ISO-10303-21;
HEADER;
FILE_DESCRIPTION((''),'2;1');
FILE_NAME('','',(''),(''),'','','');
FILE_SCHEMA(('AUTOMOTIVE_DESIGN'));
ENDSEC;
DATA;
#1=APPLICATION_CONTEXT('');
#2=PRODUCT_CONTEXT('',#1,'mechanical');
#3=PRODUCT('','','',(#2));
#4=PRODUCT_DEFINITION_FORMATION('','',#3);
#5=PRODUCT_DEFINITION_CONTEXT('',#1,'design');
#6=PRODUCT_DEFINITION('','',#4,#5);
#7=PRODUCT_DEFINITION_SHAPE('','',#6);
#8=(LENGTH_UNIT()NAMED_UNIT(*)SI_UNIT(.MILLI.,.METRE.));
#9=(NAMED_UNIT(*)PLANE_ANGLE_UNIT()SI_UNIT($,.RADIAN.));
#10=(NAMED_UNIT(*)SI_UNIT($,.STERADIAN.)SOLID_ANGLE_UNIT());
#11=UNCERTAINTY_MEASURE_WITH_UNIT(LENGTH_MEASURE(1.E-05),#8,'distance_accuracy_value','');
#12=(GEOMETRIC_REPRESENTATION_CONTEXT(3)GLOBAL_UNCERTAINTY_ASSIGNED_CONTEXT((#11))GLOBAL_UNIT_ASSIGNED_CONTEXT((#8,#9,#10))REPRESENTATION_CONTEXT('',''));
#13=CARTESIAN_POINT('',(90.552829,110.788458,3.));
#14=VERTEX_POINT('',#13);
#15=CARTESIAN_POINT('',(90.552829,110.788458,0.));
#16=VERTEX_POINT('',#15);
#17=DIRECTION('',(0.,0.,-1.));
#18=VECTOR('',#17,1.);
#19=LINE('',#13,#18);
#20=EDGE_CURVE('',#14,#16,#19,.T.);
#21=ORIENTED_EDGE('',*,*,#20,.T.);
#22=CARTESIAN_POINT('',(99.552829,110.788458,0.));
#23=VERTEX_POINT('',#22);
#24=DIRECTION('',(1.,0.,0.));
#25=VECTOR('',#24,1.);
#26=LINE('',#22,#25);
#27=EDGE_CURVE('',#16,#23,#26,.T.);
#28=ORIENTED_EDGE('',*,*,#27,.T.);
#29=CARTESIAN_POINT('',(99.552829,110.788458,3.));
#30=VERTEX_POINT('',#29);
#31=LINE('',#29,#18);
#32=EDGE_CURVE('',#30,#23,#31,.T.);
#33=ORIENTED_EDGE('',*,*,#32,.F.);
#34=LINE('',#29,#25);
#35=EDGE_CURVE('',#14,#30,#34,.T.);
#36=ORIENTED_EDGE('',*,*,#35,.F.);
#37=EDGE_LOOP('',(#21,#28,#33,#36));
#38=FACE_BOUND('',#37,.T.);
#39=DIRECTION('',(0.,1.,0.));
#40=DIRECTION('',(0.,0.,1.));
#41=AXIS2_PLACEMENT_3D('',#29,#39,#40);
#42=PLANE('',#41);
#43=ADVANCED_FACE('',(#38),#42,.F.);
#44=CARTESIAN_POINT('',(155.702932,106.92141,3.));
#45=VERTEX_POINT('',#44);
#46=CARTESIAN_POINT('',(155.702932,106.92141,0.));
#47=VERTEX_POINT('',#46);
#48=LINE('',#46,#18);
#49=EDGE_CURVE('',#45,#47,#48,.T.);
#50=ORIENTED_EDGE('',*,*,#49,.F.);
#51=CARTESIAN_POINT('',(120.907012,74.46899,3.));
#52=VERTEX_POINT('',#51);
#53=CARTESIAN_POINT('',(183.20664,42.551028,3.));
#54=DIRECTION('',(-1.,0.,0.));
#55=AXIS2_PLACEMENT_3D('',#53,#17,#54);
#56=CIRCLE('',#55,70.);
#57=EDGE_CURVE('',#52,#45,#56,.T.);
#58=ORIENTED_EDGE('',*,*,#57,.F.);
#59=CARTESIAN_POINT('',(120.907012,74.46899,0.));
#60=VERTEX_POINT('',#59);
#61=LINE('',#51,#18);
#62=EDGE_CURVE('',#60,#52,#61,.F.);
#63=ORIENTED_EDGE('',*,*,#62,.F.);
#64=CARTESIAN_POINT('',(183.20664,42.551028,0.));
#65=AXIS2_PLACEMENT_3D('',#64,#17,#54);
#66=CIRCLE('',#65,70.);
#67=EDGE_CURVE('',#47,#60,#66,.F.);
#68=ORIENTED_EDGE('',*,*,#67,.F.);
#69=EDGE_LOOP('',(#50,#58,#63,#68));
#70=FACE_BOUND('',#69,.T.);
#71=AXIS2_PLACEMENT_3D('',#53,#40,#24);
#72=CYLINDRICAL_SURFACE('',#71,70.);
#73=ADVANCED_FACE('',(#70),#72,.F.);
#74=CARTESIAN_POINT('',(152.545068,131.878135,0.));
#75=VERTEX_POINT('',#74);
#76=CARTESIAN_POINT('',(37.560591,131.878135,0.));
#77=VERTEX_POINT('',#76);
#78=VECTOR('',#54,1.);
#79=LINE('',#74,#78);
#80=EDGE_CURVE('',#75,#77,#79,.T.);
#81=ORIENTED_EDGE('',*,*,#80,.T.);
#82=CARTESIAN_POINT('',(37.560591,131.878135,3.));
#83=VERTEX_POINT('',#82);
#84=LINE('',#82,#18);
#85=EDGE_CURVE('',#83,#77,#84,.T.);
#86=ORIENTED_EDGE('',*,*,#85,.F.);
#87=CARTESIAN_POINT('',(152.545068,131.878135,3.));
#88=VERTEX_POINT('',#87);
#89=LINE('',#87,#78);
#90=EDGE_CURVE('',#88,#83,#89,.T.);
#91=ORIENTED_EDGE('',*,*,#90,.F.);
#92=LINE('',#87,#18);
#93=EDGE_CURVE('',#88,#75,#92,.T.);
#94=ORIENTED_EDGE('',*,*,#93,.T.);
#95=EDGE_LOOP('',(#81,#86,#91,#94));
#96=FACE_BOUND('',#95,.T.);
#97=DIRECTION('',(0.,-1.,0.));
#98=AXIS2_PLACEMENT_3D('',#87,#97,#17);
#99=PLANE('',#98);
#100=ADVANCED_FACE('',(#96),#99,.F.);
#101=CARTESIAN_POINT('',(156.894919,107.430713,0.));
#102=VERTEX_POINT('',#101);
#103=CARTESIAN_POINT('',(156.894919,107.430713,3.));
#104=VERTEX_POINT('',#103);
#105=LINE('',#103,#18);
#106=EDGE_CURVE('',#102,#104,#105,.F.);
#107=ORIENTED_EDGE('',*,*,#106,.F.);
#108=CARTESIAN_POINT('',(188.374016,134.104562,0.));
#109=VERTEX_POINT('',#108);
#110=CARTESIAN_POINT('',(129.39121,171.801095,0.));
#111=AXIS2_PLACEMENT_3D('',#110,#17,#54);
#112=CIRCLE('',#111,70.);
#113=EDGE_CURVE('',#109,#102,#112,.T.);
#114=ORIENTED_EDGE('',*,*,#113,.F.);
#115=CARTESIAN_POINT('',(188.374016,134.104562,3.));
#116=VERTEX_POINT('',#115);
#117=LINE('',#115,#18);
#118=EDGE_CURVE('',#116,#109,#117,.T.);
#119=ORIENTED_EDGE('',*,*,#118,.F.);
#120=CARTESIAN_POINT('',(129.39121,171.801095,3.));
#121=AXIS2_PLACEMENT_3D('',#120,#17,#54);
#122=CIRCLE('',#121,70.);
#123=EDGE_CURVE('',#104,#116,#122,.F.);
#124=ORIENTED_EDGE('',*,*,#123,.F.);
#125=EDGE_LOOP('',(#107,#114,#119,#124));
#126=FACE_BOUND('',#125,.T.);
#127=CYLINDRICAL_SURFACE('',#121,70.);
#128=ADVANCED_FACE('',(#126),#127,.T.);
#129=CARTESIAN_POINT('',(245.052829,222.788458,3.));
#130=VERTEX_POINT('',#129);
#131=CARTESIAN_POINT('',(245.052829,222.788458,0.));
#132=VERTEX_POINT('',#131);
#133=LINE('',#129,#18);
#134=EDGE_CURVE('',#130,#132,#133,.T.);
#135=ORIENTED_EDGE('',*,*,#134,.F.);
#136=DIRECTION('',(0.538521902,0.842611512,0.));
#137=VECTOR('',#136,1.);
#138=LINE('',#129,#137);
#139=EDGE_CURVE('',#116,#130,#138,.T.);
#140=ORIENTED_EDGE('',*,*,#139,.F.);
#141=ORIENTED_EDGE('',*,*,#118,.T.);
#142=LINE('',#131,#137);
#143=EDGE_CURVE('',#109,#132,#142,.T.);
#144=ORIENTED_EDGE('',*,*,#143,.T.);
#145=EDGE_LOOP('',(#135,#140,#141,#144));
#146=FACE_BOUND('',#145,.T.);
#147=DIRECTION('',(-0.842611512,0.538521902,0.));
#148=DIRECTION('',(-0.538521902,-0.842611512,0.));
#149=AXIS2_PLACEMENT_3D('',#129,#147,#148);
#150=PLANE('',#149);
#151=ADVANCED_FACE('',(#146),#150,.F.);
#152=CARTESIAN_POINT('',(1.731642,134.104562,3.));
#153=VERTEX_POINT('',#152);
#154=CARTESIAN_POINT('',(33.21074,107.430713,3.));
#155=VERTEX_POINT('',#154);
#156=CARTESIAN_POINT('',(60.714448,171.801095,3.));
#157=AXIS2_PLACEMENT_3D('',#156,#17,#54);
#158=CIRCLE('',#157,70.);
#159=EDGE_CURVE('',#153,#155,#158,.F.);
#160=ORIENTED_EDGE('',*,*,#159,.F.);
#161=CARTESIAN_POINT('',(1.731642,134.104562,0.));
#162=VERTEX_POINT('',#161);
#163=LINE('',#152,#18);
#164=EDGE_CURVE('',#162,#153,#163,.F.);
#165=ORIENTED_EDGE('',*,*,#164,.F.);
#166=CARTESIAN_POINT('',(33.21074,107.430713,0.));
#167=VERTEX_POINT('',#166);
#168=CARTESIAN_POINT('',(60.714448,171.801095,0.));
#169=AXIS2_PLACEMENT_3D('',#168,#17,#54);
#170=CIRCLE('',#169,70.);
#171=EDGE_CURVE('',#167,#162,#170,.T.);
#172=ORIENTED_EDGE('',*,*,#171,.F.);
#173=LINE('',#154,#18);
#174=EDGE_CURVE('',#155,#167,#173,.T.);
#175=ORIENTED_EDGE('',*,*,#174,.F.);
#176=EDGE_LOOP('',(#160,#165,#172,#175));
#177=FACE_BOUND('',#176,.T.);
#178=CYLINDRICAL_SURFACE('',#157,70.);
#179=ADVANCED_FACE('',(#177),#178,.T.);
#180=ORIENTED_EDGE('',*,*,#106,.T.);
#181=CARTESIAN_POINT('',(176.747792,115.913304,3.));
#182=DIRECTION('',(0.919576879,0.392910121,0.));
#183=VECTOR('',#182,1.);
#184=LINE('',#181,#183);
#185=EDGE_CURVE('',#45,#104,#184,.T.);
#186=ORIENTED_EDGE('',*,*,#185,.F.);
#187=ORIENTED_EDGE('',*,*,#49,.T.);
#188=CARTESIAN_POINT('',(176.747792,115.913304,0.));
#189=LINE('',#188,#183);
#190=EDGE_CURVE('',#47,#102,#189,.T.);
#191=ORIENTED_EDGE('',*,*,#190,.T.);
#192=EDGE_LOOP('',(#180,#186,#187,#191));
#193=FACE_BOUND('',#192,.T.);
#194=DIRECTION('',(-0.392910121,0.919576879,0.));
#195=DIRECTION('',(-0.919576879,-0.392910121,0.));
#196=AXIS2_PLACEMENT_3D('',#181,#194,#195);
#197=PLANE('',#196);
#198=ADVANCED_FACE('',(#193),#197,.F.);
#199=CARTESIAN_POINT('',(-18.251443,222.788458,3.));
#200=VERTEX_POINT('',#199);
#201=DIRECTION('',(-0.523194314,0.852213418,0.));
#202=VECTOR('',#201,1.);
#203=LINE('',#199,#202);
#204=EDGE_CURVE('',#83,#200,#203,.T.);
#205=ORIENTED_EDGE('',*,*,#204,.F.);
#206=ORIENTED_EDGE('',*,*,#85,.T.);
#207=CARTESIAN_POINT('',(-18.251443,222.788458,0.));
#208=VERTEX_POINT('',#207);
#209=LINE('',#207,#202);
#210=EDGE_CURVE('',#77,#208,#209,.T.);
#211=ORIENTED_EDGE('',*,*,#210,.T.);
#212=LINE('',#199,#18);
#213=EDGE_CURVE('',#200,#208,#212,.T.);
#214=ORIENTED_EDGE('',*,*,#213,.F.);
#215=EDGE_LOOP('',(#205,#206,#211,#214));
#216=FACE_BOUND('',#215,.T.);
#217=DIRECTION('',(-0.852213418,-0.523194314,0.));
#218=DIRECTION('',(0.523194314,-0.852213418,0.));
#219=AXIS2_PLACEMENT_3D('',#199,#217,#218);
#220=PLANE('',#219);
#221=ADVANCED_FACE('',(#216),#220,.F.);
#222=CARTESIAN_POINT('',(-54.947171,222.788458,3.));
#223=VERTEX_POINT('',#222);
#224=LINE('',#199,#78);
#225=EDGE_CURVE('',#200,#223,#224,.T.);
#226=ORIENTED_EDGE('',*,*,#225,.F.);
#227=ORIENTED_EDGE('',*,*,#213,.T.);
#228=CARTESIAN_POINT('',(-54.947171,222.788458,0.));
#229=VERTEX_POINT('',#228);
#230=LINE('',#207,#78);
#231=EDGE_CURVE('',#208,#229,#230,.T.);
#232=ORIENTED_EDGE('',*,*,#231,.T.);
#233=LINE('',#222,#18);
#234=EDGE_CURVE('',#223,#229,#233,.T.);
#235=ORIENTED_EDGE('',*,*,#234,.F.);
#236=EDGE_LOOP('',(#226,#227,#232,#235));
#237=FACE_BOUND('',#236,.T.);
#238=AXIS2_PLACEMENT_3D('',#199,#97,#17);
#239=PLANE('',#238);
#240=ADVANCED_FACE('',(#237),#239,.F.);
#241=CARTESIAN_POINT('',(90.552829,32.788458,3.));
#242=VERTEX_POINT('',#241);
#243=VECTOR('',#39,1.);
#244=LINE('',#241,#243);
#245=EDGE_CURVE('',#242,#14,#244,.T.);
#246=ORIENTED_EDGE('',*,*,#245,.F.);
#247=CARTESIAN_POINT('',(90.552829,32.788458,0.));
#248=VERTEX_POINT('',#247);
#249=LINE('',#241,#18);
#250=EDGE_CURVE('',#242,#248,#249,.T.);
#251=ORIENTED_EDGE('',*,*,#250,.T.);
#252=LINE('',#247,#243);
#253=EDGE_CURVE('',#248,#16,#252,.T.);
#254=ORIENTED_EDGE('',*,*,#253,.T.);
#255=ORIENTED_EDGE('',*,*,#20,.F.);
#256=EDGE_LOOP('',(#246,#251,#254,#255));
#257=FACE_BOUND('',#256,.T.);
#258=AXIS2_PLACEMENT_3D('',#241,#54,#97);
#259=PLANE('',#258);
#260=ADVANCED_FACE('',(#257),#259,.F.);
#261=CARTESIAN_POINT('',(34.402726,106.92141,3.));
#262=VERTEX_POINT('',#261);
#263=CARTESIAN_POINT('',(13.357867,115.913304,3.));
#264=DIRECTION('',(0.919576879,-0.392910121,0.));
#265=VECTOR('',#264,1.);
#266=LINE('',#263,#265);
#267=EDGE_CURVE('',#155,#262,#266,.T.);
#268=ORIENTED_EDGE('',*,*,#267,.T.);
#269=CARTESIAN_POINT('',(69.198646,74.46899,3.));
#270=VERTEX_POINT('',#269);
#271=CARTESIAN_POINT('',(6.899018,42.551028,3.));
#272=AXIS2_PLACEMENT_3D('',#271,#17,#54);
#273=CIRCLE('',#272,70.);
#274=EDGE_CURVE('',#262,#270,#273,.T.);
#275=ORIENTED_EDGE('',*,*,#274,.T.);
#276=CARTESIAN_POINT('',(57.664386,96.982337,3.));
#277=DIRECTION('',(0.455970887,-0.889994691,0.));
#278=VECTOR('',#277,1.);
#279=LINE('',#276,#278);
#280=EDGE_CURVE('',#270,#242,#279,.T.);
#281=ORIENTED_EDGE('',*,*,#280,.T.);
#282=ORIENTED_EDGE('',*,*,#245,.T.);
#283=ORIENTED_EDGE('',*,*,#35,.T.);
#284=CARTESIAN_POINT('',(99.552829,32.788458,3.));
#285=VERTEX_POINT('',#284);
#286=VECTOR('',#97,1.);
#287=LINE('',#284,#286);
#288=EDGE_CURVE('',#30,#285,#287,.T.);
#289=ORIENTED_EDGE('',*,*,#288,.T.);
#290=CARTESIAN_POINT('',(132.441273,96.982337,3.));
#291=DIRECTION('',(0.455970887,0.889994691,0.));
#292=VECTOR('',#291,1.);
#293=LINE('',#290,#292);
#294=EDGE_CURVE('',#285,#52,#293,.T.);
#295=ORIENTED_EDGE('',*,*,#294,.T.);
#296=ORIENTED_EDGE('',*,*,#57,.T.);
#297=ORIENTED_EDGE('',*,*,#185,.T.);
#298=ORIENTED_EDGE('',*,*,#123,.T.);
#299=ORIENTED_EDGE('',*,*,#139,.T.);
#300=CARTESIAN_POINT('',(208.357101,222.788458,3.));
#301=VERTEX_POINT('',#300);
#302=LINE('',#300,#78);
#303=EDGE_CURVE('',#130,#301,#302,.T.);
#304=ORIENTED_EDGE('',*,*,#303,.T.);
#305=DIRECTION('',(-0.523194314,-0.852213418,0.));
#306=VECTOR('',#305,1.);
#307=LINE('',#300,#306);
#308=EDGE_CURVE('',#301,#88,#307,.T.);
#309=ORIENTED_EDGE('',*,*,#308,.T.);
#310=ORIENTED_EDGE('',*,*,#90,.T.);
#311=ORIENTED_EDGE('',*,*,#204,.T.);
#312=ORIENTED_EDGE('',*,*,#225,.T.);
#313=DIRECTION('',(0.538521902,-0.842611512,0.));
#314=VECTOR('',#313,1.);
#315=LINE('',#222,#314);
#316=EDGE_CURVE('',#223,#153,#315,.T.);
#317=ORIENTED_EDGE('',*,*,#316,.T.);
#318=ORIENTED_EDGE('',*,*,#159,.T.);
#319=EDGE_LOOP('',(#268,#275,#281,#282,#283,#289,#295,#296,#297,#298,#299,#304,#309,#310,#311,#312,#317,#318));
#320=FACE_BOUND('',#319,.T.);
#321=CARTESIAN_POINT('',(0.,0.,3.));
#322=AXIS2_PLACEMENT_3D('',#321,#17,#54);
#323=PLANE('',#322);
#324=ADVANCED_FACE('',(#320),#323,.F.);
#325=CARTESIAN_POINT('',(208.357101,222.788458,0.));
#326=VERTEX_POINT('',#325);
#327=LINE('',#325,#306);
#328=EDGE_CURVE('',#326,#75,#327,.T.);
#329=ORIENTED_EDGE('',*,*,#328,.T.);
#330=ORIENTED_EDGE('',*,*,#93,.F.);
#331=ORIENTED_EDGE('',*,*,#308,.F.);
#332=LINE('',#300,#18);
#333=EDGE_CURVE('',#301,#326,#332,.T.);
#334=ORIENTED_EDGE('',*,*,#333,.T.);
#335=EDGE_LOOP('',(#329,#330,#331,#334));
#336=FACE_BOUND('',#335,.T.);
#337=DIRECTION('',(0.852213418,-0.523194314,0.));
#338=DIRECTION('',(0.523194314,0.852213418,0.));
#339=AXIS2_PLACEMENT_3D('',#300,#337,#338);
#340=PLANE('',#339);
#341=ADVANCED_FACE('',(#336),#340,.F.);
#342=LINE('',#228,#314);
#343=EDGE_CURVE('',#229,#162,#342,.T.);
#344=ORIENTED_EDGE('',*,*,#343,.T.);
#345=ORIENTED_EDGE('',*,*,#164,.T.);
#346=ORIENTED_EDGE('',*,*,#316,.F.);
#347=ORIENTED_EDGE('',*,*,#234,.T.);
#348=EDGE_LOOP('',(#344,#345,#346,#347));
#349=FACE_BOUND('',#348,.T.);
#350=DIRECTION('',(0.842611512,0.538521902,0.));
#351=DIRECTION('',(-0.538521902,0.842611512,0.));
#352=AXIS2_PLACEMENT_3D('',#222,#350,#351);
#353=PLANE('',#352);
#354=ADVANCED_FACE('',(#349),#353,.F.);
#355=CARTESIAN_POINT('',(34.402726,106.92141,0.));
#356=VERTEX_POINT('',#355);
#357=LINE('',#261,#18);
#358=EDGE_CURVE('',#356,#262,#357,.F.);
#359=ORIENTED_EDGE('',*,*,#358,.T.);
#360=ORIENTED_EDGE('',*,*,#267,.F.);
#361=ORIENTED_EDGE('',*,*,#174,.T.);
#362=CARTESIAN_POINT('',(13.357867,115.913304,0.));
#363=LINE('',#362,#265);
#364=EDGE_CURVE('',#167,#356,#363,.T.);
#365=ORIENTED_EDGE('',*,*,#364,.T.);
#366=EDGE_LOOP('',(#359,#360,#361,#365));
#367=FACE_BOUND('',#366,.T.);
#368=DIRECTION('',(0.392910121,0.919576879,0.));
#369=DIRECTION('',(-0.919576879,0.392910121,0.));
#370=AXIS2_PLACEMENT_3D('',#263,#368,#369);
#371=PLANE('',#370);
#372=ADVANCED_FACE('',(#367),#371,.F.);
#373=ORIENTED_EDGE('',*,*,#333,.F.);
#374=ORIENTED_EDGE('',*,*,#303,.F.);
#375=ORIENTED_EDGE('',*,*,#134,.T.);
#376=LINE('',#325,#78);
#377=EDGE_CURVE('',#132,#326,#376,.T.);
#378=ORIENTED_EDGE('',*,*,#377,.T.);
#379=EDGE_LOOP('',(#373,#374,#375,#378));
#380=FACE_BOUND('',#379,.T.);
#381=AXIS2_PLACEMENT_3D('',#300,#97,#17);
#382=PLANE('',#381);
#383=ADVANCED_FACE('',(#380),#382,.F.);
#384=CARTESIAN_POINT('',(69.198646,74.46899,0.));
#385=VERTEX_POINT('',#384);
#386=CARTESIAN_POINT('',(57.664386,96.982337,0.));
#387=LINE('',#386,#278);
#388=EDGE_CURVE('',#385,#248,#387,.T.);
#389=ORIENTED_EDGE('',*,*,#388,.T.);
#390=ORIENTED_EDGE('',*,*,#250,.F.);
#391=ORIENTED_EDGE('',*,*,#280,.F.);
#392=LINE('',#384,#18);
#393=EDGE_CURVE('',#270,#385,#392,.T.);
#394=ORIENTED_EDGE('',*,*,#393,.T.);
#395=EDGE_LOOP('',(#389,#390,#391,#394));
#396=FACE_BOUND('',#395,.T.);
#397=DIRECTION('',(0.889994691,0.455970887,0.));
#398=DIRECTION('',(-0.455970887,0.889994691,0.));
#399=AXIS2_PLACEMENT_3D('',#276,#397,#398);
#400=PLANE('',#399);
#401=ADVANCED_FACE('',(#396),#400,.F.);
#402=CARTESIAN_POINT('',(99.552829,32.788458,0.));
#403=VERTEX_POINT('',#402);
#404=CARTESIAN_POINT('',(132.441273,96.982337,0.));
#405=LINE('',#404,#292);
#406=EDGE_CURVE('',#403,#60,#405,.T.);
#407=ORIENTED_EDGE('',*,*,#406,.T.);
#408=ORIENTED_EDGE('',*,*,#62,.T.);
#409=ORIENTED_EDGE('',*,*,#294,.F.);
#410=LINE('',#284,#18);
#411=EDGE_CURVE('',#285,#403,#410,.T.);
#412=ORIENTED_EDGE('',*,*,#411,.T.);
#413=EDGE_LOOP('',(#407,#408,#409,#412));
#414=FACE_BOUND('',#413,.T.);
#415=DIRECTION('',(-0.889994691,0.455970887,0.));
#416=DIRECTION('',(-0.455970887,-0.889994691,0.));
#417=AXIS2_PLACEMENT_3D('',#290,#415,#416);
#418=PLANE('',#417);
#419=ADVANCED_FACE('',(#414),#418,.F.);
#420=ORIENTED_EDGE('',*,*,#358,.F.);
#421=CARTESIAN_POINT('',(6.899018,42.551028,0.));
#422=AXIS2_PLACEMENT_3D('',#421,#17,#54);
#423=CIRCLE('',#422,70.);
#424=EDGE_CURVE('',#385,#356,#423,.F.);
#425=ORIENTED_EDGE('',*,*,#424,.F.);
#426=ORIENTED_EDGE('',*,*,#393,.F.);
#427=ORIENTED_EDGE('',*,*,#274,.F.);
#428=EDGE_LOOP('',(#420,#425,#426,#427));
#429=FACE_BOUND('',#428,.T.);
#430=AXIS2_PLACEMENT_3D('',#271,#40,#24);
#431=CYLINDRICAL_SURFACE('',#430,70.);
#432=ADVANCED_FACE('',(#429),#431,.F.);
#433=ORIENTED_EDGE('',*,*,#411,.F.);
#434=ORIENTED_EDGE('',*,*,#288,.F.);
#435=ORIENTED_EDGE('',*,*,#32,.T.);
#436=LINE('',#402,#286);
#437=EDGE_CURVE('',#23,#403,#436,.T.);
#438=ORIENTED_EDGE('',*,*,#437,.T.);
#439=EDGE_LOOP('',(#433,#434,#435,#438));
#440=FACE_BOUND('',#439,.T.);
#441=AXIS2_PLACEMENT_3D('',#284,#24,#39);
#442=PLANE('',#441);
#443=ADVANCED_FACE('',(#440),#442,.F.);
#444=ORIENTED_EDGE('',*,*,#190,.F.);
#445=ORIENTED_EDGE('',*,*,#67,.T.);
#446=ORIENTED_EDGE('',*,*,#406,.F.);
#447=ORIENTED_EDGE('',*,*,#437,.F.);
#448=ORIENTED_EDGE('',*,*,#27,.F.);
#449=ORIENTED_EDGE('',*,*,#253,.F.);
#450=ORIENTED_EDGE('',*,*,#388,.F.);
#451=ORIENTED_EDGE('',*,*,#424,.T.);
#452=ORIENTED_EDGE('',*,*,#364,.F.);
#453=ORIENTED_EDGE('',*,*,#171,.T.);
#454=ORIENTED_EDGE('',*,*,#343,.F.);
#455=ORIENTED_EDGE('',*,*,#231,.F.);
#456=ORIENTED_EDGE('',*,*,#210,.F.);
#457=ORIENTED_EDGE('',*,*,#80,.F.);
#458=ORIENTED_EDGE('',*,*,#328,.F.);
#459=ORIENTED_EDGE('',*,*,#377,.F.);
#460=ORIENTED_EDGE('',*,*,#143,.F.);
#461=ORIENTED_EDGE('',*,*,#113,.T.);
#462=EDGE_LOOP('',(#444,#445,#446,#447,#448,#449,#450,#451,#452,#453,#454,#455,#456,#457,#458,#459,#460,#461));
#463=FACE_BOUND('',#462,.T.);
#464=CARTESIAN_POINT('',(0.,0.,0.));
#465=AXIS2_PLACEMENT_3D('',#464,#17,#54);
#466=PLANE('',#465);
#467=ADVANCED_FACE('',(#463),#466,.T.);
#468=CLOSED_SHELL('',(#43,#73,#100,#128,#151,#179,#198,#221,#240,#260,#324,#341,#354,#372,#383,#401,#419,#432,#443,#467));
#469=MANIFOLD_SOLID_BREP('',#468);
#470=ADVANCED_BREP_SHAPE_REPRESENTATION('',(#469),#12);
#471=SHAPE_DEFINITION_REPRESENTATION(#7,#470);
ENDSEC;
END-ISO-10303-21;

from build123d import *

# Parameters (mm, degrees)
BOSS_EXTRU_3_DEPTH = 3
CONG_2_R           = 70


with BuildPart() as part:
    # Esquisse3 → Boss.-Extru.3 (new body)
    with BuildSketch(Plane.XY):
        Polygon((13.357866614, 115.913304382), (57.664385656, 96.982337155), (90.552829187, 32.788457785), (90.552829187, 110.788457785), (99.552829187, 110.788457785), (99.552829187, 32.788457785), (132.441272718, 96.982337155), (176.74779176, 115.913304382), (245.052829187, 222.788457785), (208.357101389, 222.788457785), (152.545067545, 131.878134616), (37.56059083, 131.878134616), (-18.251443014, 222.788457785), (-54.947170813, 222.788457785), align=None)
    extrude(amount=BOSS_EXTRU_3_DEPTH)

    # Congé2
    cong_2_edges = [part.edges().sort_by_distance(p)[0] for p in [
        (176.74779176, 115.913304382, 1.5),
        (132.441272718, 96.982337155, 1.5),
        (57.664385656, 96.982337155, 1.5),
        (13.357866614, 115.913304382, 1.5),
    ]]
    fillet(cong_2_edges, radius=CONG_2_R)


solid = part.part
